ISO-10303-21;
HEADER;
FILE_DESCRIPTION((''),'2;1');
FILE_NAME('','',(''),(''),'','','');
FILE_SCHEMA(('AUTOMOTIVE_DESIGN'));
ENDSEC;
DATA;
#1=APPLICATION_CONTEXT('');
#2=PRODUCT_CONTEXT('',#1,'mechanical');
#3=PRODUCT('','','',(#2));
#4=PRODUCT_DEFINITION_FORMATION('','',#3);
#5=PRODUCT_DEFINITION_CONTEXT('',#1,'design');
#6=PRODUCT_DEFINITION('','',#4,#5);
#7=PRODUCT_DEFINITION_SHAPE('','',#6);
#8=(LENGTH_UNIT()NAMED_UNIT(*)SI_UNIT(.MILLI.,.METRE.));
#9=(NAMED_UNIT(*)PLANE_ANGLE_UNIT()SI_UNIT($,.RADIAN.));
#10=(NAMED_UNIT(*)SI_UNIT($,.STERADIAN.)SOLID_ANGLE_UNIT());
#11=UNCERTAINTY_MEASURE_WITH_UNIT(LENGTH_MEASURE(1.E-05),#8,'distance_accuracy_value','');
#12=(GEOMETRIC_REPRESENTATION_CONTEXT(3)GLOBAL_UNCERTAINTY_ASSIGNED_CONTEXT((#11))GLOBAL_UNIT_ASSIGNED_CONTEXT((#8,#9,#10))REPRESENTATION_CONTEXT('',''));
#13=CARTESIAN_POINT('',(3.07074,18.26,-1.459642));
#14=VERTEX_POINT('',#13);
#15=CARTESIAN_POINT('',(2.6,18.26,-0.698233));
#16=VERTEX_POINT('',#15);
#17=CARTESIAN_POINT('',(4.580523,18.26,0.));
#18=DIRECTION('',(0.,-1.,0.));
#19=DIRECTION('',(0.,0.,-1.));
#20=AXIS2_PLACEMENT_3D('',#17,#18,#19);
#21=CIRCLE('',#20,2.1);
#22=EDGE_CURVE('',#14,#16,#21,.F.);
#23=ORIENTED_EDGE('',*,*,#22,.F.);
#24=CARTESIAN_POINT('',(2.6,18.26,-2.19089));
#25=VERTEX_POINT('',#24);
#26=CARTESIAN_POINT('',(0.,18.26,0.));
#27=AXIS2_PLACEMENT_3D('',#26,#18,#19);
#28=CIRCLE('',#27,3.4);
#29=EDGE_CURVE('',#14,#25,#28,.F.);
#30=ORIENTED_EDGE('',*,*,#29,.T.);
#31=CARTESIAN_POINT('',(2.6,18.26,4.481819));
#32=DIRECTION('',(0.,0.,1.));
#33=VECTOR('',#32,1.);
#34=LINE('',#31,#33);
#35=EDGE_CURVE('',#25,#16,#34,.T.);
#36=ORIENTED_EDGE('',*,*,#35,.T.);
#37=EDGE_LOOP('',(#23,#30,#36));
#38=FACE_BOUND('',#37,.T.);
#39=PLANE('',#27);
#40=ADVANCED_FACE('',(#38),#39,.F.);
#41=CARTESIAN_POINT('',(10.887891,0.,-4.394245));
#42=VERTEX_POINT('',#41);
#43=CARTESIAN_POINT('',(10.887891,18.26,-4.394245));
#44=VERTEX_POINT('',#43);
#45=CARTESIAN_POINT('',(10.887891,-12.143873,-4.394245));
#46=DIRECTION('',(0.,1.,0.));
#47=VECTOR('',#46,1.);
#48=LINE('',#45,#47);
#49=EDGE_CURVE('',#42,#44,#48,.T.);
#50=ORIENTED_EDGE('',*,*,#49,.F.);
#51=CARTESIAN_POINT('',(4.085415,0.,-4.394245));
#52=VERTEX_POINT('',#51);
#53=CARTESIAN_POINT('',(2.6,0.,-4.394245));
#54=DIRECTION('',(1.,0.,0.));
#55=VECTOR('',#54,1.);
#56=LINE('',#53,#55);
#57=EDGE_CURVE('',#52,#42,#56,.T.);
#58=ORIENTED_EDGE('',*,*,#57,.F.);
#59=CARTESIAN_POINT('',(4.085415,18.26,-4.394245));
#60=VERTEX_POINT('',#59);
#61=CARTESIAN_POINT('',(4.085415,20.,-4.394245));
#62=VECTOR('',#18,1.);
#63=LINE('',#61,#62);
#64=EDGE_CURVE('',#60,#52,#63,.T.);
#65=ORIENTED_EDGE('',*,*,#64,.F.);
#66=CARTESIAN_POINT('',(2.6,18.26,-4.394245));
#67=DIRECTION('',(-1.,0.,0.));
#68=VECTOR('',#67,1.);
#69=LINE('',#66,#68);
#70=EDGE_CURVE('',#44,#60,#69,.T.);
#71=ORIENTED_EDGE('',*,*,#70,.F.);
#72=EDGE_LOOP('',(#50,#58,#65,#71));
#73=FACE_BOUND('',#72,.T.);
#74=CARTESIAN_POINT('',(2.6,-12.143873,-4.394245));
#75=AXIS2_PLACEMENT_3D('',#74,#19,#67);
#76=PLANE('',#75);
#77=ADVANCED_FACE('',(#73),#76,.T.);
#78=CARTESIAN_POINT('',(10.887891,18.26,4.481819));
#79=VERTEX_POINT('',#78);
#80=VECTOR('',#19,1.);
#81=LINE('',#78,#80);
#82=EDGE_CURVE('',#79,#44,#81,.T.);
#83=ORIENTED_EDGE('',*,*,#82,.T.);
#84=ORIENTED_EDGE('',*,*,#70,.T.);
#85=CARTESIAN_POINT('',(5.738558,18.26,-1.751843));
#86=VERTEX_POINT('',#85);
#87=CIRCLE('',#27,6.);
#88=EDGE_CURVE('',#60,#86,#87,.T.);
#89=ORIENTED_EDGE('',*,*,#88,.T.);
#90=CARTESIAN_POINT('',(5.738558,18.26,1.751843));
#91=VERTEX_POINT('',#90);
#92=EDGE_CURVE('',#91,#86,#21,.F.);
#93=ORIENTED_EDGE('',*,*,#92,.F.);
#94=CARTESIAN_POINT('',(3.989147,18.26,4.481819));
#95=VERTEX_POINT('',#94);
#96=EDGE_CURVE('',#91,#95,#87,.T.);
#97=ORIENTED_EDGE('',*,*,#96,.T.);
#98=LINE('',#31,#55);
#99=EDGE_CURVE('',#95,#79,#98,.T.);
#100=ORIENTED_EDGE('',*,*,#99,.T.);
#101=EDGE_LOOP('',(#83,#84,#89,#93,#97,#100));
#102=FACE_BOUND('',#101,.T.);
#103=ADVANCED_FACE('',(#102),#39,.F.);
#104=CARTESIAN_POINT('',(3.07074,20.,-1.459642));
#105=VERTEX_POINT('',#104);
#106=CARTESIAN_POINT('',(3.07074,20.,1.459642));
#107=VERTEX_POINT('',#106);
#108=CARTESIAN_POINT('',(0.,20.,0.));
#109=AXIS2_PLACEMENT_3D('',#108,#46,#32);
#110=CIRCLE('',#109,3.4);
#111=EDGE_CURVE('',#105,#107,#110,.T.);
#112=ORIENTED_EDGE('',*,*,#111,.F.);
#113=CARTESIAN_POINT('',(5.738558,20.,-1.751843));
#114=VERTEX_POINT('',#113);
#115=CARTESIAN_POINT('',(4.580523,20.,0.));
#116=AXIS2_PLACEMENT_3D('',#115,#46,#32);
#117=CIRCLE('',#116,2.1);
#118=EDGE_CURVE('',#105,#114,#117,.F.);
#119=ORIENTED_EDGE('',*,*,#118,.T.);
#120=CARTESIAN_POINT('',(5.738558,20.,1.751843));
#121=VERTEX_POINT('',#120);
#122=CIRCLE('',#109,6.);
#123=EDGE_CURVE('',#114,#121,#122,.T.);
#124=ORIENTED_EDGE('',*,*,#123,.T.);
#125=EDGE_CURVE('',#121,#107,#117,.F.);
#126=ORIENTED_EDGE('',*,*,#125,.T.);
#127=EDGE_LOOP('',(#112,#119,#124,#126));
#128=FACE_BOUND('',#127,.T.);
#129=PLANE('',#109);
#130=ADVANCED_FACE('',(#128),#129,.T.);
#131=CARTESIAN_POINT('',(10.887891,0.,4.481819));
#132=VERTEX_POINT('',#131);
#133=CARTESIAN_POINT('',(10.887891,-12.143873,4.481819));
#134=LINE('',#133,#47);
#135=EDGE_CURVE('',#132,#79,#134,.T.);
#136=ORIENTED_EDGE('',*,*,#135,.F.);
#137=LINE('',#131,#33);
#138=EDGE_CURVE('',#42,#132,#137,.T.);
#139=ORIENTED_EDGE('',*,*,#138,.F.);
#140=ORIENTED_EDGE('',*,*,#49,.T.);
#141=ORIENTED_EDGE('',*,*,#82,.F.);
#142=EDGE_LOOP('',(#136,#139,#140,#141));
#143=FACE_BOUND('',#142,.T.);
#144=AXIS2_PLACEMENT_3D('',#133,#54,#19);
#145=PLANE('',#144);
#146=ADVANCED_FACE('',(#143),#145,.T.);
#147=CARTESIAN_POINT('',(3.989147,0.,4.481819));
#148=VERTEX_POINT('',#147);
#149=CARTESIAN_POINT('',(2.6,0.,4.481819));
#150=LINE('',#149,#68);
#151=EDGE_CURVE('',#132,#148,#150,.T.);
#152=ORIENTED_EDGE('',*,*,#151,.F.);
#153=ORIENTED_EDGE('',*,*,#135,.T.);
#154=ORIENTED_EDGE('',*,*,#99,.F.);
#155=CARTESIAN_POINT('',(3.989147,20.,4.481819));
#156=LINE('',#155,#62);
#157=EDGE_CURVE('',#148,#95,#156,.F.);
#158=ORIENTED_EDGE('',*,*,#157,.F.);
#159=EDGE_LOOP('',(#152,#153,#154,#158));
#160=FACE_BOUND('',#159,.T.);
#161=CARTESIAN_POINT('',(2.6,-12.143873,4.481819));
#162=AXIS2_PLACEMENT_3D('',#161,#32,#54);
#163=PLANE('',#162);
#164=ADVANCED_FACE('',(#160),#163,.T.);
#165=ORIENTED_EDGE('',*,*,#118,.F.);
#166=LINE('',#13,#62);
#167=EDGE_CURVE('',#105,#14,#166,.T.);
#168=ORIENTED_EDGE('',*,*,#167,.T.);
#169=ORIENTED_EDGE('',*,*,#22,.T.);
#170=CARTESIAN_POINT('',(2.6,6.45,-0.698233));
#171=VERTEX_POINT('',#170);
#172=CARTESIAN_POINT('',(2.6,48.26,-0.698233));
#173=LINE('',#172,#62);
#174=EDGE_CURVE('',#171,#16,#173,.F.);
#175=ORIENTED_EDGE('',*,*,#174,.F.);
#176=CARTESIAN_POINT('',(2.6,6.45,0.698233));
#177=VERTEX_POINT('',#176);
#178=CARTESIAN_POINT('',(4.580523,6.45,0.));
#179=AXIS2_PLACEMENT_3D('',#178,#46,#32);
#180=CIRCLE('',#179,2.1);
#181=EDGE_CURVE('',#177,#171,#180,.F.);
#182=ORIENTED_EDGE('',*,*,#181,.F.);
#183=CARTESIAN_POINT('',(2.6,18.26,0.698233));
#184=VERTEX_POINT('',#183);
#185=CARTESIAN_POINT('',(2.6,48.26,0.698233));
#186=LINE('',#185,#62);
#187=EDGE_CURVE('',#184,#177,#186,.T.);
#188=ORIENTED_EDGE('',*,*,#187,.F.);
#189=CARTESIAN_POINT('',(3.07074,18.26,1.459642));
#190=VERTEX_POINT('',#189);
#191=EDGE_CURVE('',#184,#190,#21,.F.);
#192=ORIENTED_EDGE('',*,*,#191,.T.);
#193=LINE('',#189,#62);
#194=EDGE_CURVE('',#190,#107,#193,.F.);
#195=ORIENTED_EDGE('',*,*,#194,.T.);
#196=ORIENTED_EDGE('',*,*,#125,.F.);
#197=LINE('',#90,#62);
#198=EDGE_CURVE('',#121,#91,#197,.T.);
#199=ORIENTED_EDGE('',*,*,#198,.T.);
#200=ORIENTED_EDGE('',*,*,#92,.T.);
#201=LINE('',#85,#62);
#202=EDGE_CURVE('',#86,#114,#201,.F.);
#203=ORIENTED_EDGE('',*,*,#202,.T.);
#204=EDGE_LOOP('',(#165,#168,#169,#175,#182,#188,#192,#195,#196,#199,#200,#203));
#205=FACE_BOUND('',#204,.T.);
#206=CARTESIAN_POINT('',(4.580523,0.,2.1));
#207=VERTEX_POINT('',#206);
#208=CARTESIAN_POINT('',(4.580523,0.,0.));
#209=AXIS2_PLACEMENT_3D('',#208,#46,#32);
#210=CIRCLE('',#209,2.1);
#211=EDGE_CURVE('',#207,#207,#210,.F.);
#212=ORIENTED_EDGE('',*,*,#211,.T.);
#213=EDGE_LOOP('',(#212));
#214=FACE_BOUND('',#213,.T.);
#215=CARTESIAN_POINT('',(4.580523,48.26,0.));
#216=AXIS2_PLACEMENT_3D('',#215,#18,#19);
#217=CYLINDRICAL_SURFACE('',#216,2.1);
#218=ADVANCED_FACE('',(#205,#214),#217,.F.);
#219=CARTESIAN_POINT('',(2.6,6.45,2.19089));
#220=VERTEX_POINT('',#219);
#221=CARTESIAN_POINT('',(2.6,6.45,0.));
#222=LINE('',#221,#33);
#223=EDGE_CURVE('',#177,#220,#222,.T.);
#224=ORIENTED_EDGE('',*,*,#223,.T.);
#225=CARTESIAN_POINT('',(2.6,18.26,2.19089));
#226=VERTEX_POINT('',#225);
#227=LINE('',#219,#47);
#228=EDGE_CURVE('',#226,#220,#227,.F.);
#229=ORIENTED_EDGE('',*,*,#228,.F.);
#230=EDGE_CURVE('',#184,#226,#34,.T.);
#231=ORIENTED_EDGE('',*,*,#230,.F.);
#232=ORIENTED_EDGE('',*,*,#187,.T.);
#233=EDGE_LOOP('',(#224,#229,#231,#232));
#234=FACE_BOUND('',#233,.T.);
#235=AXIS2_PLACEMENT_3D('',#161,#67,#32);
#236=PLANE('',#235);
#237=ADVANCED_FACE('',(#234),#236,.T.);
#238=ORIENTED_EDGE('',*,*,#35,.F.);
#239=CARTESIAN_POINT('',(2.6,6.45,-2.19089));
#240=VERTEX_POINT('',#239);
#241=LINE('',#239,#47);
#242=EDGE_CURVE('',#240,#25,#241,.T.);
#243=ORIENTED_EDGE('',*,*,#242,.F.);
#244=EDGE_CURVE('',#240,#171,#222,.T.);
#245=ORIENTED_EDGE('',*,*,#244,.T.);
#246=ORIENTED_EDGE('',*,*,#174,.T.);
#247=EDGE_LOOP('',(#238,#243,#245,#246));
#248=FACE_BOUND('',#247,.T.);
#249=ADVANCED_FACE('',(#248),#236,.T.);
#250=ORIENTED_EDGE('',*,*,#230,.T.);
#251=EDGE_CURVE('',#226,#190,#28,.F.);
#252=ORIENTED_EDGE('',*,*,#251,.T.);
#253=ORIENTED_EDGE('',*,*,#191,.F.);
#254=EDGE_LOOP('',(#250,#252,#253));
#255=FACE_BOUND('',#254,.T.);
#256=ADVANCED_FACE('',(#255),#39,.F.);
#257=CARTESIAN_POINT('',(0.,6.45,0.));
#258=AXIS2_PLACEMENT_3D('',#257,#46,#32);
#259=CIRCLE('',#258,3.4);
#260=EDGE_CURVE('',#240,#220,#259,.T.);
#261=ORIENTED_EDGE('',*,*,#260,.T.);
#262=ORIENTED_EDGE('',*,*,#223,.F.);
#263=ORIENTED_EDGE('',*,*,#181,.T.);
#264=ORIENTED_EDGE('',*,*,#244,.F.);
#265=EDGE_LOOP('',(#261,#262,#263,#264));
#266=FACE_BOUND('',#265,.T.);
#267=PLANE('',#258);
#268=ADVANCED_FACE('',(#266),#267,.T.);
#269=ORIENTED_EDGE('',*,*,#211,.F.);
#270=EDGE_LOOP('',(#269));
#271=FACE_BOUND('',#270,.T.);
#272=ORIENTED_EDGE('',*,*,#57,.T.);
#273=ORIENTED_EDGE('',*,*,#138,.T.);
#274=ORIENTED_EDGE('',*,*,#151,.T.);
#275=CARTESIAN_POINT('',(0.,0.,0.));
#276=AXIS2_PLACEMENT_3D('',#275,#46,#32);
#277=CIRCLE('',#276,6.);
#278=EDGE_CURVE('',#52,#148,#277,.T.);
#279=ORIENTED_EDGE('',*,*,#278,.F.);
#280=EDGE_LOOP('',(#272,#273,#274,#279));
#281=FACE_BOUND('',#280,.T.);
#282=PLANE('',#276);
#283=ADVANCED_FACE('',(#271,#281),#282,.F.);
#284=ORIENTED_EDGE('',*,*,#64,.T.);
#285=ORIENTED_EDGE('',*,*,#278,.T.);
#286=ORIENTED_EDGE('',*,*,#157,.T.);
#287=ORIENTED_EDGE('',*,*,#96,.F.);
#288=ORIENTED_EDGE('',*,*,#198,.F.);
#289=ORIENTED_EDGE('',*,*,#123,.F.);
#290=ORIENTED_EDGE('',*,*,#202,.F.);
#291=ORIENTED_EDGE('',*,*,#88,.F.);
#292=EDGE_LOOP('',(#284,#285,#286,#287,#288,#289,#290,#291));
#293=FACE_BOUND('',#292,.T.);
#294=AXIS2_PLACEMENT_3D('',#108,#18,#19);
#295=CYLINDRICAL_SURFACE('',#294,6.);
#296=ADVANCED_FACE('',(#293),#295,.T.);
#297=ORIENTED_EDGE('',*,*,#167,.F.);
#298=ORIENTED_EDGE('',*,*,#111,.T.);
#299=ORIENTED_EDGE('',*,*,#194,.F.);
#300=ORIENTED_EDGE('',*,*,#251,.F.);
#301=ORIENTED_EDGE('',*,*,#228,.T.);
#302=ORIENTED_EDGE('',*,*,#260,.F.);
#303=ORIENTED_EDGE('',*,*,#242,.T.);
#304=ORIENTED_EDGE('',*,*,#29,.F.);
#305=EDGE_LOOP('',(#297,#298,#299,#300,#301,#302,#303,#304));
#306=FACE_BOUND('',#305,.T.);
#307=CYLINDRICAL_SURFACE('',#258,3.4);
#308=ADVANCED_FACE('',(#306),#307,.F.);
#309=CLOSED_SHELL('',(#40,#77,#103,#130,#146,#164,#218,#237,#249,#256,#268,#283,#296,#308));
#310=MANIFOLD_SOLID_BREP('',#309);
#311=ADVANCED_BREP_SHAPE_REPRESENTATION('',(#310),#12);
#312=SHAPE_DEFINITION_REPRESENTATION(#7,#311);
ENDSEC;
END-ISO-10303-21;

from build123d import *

# Parameters (mm, degrees)
SKETCH1_R               = 6
BOSS_EXTRUDE1_DEPTH     = 20
SKETCH2_R               = 3.4
CUT_EXTRUDE1_DEPTH      = 13.55
SKETCH5_W               = 8.287891014
SKETCH5_H               = 8.876063753
BOSS_EXTRUDE2_DEPTH     = 18.26
SKETCH8_R               = 2.1
CUT_EXTRUDE6_DEPTH      = 30
CUT_EXTRUDE6_DEPTH_BACK = 30


with BuildPart() as part:
    # Sketch1 → Boss-Extrude1 (new body)
    with BuildSketch(Plane(origin=(0, 0, 0), x_dir=(1, 0, 0), z_dir=(0, 1, 0))):
        Circle(SKETCH1_R)
    extrude(amount=BOSS_EXTRUDE1_DEPTH)

    # Sketch2 → Cut-Extrude1 (cut)
    with BuildSketch(Plane(origin=(0, 20, 0), x_dir=(1, 0, 0), z_dir=(0, 1, 0))):
        Circle(SKETCH2_R)
    extrude(amount=-CUT_EXTRUDE1_DEPTH, mode=Mode.SUBTRACT)

    # Sketch5 → Boss-Extrude2 (add)
    with BuildSketch(Plane(origin=(0, 18.26, 0), x_dir=(1, 0, 0), z_dir=(0, 1, 0))):
        with Locations((6.743945507, -0.04378733)):
            Rectangle(SKETCH5_W, SKETCH5_H)
    extrude(amount=-BOSS_EXTRUDE2_DEPTH)

    # Sketch8 → Cut-Extrude6 (cut, two sides)
    with BuildSketch(Plane(origin=(0, 18.26, 0), x_dir=(1, 0, 0), z_dir=(0, 1, 0))) as cut_extrude6_sk:
        with Locations((4.580522752, 0)):
            Circle(SKETCH8_R)
    extrude(amount=CUT_EXTRUDE6_DEPTH, mode=Mode.SUBTRACT)
    extrude(cut_extrude6_sk.sketch, amount=-CUT_EXTRUDE6_DEPTH_BACK, mode=Mode.SUBTRACT)


solid = part.part
